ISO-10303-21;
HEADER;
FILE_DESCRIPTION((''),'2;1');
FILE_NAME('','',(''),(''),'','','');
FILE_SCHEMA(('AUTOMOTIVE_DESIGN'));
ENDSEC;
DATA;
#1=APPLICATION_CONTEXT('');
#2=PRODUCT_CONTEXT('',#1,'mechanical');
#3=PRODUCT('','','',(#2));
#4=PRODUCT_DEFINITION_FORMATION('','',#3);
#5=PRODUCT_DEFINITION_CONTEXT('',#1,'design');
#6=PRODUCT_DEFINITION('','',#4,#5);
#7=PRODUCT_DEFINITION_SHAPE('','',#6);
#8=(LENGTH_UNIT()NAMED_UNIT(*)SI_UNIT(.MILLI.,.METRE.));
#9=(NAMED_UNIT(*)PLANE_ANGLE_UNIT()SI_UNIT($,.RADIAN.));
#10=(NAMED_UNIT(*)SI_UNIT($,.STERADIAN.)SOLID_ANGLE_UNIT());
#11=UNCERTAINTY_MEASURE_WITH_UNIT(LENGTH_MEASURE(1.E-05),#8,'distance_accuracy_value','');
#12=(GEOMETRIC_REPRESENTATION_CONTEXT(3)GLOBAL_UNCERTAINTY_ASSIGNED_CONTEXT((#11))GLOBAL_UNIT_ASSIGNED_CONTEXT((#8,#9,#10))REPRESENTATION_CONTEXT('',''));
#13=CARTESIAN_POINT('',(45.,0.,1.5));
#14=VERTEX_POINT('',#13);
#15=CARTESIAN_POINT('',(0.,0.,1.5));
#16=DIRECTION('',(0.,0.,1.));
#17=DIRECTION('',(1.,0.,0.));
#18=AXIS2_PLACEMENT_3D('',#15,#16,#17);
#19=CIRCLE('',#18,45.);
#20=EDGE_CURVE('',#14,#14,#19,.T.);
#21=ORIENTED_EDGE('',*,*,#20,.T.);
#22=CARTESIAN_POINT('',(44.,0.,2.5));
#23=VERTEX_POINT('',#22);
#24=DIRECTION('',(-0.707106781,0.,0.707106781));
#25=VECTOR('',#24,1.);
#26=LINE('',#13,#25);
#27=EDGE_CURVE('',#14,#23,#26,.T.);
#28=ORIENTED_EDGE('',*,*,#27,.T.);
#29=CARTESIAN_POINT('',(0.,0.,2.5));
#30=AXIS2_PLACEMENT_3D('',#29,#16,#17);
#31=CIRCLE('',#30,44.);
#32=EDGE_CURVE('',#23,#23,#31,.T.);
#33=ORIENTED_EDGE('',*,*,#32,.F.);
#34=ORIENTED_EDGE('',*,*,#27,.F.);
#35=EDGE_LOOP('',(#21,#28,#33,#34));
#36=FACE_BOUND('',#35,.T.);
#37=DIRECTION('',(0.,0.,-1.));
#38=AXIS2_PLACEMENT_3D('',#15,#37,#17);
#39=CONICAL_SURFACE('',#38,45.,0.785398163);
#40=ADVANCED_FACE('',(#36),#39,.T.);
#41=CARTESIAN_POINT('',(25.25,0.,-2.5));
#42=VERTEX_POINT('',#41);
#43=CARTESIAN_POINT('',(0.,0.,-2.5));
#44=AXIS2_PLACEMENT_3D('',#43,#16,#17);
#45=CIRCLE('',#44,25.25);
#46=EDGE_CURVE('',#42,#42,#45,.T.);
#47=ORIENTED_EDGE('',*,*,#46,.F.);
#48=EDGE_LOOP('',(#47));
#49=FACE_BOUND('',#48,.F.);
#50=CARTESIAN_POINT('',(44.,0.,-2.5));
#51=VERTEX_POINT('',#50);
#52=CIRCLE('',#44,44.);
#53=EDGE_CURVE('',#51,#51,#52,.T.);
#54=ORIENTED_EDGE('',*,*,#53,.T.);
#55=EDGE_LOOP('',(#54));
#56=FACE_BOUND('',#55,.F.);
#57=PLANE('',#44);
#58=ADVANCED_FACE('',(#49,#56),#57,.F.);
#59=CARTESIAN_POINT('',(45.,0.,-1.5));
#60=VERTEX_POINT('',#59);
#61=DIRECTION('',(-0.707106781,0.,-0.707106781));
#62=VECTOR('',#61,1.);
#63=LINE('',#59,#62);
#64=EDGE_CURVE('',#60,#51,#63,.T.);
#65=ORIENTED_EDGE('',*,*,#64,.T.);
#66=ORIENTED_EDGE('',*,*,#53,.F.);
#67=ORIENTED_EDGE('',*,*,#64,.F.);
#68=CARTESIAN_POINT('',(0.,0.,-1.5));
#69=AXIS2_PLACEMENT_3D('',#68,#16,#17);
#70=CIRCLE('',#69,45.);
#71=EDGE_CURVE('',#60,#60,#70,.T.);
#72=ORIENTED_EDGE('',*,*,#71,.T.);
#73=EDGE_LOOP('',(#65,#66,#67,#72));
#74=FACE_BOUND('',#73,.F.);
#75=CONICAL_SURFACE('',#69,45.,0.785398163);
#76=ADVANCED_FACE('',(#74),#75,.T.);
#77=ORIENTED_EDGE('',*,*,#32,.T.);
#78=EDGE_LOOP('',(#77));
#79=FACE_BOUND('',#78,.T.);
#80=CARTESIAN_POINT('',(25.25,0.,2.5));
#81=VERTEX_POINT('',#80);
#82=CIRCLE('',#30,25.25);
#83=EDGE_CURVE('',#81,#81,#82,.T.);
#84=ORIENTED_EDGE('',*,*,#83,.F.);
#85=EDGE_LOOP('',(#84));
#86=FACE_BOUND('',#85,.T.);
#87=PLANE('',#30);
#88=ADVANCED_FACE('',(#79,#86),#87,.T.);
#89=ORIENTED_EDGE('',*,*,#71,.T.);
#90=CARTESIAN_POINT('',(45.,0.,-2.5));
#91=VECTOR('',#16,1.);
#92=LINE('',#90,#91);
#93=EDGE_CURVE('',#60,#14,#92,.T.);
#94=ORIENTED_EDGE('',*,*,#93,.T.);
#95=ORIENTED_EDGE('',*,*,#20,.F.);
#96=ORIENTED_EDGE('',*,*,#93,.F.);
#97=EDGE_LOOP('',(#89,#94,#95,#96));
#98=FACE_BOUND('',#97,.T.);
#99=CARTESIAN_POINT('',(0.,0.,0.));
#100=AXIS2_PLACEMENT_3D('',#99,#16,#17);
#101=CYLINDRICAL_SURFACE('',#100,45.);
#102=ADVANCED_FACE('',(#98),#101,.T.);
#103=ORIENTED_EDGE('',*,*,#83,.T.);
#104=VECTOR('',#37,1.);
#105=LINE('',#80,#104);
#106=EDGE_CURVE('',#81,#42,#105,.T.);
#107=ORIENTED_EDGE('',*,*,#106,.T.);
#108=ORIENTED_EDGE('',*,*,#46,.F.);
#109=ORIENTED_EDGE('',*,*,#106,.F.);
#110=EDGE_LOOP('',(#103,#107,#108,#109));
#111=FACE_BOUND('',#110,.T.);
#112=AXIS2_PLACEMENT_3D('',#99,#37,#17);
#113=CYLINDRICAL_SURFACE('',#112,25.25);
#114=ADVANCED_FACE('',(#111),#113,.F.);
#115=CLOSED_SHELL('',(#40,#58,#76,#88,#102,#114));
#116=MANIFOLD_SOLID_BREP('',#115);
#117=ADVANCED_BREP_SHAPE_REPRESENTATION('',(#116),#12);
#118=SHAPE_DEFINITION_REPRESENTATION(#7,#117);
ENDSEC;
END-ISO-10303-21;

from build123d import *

# Parameters (mm, degrees)
F0_R     = 45
F0_R_2   = 25.25
F1_DEPTH = 2.5
F2_SIZE  = 1


with BuildPart() as f1:
    # F0 (on Top) → F1 (new body, symmetric)
    with BuildSketch(Plane.XY):
        Circle(F0_R)
        Circle(F0_R_2, mode=Mode.SUBTRACT)
    extrude(amount=F1_DEPTH, both=True)

    # F2
    f2_edges = [f1.edges().sort_by_distance(p)[0] for p in [
        (-45, 0, -2.5),
        (45, 0, 0),
        (-45, 0, 2.5),
    ]]
    chamfer(f2_edges, length=F2_SIZE)


solid = f1.part
